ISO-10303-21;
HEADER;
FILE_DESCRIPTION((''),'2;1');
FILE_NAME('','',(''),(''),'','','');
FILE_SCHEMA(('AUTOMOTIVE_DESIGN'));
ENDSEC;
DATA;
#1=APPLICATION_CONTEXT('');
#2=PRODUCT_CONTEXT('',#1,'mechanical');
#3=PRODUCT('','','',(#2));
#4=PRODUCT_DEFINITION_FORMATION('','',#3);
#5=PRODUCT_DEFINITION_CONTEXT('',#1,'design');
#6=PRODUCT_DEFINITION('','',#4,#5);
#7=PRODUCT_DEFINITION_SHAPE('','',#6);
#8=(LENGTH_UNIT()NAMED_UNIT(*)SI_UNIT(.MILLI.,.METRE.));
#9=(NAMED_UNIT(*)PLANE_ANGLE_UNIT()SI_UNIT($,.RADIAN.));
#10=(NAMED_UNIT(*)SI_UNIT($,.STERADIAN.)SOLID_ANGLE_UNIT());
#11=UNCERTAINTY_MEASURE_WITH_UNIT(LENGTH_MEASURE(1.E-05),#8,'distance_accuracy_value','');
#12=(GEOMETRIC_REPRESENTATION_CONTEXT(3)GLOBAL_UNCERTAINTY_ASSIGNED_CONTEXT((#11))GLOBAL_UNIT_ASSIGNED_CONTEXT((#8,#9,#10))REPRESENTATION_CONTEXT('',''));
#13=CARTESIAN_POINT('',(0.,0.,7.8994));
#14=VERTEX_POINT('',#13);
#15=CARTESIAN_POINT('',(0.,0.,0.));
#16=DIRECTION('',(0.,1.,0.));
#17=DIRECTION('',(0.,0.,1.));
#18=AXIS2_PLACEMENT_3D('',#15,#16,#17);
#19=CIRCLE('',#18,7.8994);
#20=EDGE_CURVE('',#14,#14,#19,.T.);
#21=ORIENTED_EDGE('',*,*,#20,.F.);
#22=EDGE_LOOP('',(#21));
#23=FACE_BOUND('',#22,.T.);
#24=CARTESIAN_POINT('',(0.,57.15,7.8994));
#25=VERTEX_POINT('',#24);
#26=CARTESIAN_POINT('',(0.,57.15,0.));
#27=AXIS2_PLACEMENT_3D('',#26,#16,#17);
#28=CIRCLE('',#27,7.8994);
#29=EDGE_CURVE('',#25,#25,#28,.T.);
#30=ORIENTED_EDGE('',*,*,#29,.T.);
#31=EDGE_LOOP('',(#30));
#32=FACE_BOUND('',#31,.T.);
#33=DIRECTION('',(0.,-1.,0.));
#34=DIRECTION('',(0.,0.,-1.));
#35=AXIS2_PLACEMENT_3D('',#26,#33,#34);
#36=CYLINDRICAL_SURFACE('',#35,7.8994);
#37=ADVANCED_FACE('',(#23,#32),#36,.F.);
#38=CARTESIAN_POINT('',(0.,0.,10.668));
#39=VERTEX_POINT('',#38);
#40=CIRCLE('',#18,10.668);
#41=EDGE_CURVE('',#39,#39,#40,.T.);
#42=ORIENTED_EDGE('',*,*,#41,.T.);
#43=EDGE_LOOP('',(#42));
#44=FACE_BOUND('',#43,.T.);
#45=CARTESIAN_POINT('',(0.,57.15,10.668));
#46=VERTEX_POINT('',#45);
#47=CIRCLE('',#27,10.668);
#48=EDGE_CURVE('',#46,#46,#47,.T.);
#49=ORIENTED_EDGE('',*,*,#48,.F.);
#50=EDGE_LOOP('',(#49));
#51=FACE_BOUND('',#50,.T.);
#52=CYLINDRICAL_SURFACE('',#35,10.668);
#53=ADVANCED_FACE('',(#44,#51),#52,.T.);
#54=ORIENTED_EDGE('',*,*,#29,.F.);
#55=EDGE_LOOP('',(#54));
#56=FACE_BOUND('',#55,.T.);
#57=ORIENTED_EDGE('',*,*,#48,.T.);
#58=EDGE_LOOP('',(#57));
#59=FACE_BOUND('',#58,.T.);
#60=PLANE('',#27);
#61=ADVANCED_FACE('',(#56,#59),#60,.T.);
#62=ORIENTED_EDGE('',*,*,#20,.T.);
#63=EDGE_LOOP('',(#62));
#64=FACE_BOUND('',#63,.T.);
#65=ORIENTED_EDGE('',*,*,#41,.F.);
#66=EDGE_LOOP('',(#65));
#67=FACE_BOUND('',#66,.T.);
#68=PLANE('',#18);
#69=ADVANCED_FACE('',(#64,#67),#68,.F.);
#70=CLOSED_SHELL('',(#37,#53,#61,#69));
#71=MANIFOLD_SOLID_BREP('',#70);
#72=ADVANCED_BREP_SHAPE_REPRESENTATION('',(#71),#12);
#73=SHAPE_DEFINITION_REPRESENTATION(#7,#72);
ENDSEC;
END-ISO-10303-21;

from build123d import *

# Parameters (mm, degrees)
SCHEDULE40TUBE_R           = 10.668
SCHEDULE40TUBE_R_2         = 7.8994
SCHEDULE40TUBELENGTH_DEPTH = 57.15


with BuildPart() as part:
    # Schedule40Tube → Schedule40TubeLength (new body)
    with BuildSketch(Plane(origin=(0, 0, 0), x_dir=(1, 0, 0), z_dir=(0, 1, 0))):
        with Locations(Location((0, 0, 0), (0, 0, 270))):
            Circle(SCHEDULE40TUBE_R)
        with Locations(Location((0, 0, 0), (0, 0, 270))):
            Circle(SCHEDULE40TUBE_R_2, mode=Mode.SUBTRACT)
    extrude(amount=SCHEDULE40TUBELENGTH_DEPTH)


solid = part.part
